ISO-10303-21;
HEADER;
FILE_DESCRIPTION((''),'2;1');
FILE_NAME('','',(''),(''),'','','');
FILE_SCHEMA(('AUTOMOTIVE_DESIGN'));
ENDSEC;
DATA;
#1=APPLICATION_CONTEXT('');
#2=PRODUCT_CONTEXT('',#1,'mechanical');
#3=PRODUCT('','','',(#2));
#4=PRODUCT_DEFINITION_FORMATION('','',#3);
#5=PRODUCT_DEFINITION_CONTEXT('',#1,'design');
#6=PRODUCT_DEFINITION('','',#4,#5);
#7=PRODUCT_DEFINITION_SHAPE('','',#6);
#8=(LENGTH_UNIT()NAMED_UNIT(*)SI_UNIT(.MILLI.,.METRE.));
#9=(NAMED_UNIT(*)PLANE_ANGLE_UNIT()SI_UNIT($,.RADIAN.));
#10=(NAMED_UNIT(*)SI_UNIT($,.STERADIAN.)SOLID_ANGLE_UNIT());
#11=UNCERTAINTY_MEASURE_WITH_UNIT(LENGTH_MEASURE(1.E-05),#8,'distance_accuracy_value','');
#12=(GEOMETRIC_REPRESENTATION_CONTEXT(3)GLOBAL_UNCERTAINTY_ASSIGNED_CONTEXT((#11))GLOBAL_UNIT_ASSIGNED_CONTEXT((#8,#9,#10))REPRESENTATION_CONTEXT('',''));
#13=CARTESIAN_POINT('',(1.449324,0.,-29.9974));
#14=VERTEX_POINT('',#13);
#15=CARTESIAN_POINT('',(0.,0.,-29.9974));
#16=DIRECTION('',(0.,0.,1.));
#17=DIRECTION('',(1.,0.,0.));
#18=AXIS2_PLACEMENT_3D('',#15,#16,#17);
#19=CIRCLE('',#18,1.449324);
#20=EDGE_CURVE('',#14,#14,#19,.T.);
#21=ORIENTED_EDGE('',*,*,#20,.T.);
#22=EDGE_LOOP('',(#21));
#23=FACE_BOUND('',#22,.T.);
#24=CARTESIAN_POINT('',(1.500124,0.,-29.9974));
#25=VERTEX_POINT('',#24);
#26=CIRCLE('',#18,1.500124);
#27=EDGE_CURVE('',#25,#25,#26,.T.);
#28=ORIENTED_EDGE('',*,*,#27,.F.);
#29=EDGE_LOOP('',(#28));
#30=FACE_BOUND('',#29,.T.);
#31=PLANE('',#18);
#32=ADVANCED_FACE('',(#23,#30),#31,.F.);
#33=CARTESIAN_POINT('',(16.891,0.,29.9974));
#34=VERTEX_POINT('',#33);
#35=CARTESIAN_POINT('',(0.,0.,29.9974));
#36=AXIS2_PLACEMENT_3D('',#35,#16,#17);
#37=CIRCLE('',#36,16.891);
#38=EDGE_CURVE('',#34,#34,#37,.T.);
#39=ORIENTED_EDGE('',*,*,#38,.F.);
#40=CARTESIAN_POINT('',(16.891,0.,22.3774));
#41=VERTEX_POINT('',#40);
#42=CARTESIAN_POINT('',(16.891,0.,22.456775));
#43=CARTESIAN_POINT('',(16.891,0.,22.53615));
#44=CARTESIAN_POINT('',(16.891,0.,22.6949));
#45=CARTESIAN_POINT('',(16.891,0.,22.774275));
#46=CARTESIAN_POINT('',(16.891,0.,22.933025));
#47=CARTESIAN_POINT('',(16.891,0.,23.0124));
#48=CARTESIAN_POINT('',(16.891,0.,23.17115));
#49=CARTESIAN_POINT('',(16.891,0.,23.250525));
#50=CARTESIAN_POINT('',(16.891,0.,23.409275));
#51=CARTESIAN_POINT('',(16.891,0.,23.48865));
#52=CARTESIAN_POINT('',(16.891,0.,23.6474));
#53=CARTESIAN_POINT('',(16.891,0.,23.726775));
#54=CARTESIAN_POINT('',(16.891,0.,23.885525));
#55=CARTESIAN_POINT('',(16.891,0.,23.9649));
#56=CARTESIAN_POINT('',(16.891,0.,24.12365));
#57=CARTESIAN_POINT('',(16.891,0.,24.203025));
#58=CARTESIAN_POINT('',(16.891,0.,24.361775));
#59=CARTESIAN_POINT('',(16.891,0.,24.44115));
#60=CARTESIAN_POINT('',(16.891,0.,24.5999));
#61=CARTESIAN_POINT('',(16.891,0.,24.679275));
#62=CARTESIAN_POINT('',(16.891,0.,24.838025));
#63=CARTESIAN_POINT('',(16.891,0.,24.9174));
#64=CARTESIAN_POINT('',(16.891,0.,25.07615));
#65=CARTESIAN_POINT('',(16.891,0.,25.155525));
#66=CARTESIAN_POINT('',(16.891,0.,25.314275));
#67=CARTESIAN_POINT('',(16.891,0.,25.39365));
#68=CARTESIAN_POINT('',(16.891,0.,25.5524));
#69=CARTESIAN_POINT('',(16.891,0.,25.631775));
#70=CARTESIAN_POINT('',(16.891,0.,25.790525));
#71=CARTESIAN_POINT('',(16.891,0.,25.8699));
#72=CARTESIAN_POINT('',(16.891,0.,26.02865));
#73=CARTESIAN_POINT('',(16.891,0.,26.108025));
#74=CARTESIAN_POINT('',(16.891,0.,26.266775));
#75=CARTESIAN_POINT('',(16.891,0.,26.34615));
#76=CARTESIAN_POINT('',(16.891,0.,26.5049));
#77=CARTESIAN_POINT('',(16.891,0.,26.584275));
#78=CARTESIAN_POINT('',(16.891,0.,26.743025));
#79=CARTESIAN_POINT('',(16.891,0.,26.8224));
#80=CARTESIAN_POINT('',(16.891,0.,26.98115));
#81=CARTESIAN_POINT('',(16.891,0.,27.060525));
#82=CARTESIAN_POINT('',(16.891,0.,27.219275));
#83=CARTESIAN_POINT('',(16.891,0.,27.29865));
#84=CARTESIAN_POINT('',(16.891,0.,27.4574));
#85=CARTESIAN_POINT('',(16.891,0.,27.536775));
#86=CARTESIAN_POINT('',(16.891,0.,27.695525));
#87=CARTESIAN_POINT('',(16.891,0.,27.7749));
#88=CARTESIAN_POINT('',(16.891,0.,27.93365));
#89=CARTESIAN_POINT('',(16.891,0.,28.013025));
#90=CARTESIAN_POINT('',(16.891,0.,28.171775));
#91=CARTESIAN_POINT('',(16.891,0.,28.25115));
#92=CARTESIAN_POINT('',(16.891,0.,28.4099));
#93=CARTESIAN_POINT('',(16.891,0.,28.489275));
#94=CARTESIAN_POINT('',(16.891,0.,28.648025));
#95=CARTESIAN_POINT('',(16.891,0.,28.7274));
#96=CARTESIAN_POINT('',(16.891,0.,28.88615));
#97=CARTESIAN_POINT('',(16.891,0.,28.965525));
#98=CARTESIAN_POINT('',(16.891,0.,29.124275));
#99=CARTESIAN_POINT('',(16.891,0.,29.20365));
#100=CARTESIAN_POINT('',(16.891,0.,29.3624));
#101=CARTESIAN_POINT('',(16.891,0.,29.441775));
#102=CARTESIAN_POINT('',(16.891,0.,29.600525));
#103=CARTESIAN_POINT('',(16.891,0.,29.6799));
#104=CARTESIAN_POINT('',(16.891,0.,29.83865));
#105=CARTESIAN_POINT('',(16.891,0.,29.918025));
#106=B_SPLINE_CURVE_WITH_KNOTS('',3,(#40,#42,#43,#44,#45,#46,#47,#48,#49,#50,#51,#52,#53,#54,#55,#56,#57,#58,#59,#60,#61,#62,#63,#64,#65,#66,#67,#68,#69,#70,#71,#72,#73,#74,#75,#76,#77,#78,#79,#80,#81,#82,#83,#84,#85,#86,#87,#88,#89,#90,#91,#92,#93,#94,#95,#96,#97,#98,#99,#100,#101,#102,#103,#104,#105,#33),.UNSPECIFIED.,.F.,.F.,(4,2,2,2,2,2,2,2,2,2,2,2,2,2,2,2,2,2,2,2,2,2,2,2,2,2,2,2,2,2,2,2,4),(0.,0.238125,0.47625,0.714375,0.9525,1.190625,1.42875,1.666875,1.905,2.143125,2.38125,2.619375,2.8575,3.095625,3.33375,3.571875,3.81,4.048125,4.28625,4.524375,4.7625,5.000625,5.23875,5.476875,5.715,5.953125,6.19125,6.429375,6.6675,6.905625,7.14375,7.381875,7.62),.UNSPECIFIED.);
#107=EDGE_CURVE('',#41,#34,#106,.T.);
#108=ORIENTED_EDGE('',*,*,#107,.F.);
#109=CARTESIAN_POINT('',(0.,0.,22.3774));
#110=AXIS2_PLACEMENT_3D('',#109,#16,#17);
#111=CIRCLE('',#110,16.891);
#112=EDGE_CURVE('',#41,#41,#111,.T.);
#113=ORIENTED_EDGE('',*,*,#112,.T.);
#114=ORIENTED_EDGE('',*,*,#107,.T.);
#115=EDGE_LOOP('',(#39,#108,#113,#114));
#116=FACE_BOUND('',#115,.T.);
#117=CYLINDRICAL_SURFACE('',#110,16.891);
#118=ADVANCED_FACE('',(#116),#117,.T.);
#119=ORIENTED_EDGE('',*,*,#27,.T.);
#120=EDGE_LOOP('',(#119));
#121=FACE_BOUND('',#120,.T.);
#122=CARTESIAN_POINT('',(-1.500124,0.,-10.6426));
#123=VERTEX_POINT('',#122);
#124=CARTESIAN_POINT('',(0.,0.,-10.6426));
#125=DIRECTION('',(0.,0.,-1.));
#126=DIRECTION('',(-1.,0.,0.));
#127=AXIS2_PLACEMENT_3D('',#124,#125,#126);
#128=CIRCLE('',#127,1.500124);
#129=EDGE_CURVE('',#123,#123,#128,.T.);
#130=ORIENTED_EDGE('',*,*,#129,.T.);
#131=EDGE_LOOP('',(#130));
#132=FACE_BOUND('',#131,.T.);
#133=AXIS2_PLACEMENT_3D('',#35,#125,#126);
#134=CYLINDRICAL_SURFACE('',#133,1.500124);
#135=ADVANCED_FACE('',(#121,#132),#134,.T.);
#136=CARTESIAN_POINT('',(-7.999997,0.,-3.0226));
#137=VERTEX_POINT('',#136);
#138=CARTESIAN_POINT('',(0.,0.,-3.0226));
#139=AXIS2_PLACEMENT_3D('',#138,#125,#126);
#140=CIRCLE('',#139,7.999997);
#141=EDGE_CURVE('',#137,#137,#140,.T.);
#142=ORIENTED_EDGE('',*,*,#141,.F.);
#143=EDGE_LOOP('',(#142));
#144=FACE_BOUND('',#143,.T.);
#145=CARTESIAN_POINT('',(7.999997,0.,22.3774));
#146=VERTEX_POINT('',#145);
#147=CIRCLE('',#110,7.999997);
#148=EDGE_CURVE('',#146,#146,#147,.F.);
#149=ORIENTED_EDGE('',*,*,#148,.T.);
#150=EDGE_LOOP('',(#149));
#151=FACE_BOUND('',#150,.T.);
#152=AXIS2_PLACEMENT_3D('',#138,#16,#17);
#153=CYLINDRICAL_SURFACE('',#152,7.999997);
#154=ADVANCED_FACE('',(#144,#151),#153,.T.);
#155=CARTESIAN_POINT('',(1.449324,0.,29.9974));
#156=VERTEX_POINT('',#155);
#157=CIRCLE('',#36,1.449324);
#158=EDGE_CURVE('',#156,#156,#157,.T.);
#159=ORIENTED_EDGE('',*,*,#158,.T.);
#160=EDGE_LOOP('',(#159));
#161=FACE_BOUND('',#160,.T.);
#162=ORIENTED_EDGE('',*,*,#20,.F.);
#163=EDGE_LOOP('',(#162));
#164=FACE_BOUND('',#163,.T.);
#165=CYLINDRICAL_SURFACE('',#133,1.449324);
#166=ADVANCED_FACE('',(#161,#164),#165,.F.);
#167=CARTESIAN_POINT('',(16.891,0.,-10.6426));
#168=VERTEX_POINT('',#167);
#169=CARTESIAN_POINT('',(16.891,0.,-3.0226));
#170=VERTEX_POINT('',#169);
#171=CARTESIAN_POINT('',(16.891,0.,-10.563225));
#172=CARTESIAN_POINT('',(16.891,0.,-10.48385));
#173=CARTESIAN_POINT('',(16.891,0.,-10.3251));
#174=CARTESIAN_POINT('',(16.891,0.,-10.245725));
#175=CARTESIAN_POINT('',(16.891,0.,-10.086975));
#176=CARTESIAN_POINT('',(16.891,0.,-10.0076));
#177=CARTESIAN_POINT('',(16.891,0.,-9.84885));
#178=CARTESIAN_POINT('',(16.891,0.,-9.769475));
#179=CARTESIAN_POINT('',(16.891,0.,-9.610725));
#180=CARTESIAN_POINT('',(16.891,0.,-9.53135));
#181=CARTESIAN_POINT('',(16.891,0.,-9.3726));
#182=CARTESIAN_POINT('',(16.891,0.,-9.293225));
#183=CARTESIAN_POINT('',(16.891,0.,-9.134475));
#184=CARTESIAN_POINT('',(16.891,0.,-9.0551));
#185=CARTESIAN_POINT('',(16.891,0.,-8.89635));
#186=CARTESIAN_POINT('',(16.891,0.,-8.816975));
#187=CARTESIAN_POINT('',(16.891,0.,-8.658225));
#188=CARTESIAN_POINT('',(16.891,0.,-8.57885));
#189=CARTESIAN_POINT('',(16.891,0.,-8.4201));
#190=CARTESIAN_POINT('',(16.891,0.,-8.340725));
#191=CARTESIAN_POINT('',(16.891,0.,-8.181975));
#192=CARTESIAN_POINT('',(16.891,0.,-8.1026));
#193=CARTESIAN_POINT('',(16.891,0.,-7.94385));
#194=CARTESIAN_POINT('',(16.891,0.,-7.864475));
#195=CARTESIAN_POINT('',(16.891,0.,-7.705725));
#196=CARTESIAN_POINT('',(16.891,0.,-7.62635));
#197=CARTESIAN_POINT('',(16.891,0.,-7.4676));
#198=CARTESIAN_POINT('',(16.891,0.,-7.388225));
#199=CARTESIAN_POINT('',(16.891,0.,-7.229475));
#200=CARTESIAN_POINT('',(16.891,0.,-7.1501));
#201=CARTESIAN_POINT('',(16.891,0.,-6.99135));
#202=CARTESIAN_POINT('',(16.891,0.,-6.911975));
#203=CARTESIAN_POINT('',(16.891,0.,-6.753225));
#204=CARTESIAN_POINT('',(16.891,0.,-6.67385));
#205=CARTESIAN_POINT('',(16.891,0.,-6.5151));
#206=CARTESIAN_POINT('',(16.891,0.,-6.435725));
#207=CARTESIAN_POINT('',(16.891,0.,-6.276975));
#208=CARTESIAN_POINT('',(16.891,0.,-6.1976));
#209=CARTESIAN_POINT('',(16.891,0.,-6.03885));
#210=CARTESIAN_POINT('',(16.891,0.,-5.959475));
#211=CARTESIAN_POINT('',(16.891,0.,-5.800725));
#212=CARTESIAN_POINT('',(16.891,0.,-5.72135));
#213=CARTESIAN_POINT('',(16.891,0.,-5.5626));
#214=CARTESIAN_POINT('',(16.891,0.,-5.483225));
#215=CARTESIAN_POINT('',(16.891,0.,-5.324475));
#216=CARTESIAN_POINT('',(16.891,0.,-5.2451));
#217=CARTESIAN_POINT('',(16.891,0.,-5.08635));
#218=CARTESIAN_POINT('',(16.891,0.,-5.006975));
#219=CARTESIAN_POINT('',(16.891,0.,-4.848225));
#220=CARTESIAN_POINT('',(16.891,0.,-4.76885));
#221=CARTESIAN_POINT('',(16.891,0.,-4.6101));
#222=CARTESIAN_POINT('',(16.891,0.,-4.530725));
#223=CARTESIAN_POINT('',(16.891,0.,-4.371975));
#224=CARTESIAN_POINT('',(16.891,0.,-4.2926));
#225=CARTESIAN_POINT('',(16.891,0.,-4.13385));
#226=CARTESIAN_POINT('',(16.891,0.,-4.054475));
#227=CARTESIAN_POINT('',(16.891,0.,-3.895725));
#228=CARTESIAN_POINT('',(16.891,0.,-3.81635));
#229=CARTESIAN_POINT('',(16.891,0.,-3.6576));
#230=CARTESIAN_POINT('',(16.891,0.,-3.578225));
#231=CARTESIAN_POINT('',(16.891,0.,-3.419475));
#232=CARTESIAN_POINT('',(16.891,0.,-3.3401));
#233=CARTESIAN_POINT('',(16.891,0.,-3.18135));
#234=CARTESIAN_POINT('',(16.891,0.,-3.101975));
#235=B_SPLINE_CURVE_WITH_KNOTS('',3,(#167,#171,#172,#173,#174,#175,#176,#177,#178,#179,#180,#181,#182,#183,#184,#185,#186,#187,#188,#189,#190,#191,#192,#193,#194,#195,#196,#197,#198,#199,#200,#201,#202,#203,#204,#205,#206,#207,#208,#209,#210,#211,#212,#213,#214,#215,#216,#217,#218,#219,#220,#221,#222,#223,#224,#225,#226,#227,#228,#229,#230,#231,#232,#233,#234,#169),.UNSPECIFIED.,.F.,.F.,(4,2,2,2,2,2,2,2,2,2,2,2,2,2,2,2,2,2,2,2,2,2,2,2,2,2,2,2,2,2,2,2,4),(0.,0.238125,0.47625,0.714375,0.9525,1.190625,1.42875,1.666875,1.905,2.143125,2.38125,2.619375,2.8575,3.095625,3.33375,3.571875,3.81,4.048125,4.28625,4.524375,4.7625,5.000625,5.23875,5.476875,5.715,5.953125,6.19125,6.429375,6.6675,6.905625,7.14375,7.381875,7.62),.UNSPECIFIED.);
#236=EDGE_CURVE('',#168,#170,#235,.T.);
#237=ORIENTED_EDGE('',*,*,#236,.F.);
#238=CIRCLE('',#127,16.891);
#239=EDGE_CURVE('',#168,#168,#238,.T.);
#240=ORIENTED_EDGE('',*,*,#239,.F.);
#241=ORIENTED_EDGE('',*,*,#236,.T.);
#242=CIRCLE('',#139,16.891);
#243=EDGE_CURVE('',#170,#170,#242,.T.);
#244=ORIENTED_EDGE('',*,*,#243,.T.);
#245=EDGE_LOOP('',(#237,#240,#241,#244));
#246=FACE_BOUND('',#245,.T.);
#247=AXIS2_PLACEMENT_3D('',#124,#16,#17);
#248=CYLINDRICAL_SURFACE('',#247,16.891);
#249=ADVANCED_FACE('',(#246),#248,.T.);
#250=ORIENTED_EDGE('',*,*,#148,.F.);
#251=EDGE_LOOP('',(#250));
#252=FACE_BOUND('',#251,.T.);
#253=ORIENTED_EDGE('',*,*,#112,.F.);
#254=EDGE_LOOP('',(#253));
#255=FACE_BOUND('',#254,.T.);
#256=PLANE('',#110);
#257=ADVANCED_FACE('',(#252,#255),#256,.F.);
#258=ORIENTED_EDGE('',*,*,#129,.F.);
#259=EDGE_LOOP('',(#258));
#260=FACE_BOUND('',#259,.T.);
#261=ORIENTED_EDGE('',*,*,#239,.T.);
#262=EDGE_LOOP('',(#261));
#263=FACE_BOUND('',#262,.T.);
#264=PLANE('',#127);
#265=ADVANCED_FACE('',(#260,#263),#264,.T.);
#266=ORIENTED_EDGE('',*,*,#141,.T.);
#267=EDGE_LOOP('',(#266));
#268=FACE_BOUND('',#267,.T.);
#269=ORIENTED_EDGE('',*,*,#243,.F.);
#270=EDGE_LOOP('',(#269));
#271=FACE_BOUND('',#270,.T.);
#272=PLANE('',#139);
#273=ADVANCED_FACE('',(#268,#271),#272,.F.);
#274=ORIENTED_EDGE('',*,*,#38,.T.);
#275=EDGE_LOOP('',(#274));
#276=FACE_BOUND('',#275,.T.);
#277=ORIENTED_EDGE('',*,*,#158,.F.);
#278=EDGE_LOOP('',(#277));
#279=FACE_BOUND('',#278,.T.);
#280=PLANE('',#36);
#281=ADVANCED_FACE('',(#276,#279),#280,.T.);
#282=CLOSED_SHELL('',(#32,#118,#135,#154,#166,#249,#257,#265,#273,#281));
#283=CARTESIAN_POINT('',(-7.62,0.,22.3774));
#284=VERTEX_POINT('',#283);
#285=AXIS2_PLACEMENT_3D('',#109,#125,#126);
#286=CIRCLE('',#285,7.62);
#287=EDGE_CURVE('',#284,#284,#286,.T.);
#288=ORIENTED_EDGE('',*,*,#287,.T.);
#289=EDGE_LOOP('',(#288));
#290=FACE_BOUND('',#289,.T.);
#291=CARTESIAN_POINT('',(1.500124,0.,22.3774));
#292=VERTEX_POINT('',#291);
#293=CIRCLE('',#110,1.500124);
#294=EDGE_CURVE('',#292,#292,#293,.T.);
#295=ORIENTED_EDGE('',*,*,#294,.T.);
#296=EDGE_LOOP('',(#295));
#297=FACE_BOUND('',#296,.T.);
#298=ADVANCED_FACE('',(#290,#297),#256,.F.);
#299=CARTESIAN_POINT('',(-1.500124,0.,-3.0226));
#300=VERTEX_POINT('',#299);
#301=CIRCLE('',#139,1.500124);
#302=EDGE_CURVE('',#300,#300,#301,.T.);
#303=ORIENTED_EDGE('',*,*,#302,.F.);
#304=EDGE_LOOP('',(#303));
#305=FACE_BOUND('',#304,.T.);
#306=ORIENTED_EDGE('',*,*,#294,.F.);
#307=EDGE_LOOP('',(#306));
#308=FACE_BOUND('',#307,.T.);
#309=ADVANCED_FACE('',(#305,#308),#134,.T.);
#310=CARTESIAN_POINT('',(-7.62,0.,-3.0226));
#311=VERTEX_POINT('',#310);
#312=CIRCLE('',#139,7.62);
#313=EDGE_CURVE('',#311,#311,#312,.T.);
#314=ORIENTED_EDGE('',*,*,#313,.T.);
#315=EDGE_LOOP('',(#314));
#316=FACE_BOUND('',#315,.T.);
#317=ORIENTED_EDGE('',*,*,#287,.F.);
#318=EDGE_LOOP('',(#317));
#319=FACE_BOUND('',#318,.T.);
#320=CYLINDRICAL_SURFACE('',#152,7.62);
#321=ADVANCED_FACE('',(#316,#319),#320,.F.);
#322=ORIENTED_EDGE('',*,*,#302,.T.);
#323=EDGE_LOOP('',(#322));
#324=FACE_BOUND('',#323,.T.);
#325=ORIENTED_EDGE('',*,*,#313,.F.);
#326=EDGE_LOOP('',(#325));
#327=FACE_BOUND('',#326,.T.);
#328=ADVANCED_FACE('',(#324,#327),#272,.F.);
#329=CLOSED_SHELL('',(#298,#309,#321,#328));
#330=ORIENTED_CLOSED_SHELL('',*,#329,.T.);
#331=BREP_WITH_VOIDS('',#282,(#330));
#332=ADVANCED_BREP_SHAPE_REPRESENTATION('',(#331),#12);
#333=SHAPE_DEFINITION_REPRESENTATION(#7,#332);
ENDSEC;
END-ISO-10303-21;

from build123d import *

# Parameters (mm, degrees)
SKETCH1_R            = 1.500124
BOSS_EXTRUDE1_DEPTH  = 29.9974
SHELL3_T             = -0.0508
SKETCH5_R            = 16.891
SKETCH5_R_2          = 1.449324
BOSS_EXTRUDE8_DEPTH  = 7.62
SKETCH6_R            = 7.9999967
SKETCH6_R_2          = 7.62
BOSS_EXTRUDE9_DEPTH  = 25.4
SKETCH7_R            = 16.891
SKETCH7_R_2          = 1.500124
BOSS_EXTRUDE10_DEPTH = 7.62
SKETCH8_R            = 7.9999967
SKETCH8_R_2          = 1.449324
BOSS_EXTRUDE11_DEPTH = 2.54


with BuildPart() as part:
    # Sketch1 → Boss-Extrude1 (new, symmetric)
    with BuildSketch(Plane.XY):
        Circle(SKETCH1_R)
    extrude(amount=BOSS_EXTRUDE1_DEPTH, both=True)

    # Shell3
    shell3_openings = [part.faces().sort_by_distance(p)[0] for p in [
        (0, 0, 29.9974),
        (0, 0, -29.9974),
    ]]
    offset(amount=SHELL3_T, openings=shell3_openings, kind=Kind.INTERSECTION)

    # Sketch5 → Boss-Extrude8 (add)
    with BuildSketch(Plane.XY.offset(29.9974)):
        Circle(SKETCH5_R)
        Circle(SKETCH5_R_2, mode=Mode.SUBTRACT)
    extrude(amount=-BOSS_EXTRUDE8_DEPTH)

    # Sketch6 → Boss-Extrude9 (add)
    with BuildSketch(Plane(origin=(0, 0, 22.3774), x_dir=(-1, 0, 0), z_dir=(0, 0, -1))):
        with Locations(Location((0, 0, 0), (0, 0, 180))):
            Circle(SKETCH6_R)
        Circle(SKETCH6_R_2, mode=Mode.SUBTRACT)
    extrude(amount=BOSS_EXTRUDE9_DEPTH)

    # Sketch7 → Boss-Extrude10 (add)
    with BuildSketch(Plane(origin=(0, 0, -3.0226), x_dir=(-1, 0, 0), z_dir=(0, 0, -1))):
        with Locations(Location((0, 0, 0), (0, 0, 180))):
            Circle(SKETCH7_R)
        Circle(SKETCH7_R_2, mode=Mode.SUBTRACT)
    extrude(amount=BOSS_EXTRUDE10_DEPTH)

    # Sketch8 → Boss-Extrude11 (add)
    with BuildSketch(Plane.XY.offset(29.9974)):
        Circle(SKETCH8_R)
        Circle(SKETCH8_R_2, mode=Mode.SUBTRACT)
    extrude(amount=-BOSS_EXTRUDE11_DEPTH)


solid = part.part
